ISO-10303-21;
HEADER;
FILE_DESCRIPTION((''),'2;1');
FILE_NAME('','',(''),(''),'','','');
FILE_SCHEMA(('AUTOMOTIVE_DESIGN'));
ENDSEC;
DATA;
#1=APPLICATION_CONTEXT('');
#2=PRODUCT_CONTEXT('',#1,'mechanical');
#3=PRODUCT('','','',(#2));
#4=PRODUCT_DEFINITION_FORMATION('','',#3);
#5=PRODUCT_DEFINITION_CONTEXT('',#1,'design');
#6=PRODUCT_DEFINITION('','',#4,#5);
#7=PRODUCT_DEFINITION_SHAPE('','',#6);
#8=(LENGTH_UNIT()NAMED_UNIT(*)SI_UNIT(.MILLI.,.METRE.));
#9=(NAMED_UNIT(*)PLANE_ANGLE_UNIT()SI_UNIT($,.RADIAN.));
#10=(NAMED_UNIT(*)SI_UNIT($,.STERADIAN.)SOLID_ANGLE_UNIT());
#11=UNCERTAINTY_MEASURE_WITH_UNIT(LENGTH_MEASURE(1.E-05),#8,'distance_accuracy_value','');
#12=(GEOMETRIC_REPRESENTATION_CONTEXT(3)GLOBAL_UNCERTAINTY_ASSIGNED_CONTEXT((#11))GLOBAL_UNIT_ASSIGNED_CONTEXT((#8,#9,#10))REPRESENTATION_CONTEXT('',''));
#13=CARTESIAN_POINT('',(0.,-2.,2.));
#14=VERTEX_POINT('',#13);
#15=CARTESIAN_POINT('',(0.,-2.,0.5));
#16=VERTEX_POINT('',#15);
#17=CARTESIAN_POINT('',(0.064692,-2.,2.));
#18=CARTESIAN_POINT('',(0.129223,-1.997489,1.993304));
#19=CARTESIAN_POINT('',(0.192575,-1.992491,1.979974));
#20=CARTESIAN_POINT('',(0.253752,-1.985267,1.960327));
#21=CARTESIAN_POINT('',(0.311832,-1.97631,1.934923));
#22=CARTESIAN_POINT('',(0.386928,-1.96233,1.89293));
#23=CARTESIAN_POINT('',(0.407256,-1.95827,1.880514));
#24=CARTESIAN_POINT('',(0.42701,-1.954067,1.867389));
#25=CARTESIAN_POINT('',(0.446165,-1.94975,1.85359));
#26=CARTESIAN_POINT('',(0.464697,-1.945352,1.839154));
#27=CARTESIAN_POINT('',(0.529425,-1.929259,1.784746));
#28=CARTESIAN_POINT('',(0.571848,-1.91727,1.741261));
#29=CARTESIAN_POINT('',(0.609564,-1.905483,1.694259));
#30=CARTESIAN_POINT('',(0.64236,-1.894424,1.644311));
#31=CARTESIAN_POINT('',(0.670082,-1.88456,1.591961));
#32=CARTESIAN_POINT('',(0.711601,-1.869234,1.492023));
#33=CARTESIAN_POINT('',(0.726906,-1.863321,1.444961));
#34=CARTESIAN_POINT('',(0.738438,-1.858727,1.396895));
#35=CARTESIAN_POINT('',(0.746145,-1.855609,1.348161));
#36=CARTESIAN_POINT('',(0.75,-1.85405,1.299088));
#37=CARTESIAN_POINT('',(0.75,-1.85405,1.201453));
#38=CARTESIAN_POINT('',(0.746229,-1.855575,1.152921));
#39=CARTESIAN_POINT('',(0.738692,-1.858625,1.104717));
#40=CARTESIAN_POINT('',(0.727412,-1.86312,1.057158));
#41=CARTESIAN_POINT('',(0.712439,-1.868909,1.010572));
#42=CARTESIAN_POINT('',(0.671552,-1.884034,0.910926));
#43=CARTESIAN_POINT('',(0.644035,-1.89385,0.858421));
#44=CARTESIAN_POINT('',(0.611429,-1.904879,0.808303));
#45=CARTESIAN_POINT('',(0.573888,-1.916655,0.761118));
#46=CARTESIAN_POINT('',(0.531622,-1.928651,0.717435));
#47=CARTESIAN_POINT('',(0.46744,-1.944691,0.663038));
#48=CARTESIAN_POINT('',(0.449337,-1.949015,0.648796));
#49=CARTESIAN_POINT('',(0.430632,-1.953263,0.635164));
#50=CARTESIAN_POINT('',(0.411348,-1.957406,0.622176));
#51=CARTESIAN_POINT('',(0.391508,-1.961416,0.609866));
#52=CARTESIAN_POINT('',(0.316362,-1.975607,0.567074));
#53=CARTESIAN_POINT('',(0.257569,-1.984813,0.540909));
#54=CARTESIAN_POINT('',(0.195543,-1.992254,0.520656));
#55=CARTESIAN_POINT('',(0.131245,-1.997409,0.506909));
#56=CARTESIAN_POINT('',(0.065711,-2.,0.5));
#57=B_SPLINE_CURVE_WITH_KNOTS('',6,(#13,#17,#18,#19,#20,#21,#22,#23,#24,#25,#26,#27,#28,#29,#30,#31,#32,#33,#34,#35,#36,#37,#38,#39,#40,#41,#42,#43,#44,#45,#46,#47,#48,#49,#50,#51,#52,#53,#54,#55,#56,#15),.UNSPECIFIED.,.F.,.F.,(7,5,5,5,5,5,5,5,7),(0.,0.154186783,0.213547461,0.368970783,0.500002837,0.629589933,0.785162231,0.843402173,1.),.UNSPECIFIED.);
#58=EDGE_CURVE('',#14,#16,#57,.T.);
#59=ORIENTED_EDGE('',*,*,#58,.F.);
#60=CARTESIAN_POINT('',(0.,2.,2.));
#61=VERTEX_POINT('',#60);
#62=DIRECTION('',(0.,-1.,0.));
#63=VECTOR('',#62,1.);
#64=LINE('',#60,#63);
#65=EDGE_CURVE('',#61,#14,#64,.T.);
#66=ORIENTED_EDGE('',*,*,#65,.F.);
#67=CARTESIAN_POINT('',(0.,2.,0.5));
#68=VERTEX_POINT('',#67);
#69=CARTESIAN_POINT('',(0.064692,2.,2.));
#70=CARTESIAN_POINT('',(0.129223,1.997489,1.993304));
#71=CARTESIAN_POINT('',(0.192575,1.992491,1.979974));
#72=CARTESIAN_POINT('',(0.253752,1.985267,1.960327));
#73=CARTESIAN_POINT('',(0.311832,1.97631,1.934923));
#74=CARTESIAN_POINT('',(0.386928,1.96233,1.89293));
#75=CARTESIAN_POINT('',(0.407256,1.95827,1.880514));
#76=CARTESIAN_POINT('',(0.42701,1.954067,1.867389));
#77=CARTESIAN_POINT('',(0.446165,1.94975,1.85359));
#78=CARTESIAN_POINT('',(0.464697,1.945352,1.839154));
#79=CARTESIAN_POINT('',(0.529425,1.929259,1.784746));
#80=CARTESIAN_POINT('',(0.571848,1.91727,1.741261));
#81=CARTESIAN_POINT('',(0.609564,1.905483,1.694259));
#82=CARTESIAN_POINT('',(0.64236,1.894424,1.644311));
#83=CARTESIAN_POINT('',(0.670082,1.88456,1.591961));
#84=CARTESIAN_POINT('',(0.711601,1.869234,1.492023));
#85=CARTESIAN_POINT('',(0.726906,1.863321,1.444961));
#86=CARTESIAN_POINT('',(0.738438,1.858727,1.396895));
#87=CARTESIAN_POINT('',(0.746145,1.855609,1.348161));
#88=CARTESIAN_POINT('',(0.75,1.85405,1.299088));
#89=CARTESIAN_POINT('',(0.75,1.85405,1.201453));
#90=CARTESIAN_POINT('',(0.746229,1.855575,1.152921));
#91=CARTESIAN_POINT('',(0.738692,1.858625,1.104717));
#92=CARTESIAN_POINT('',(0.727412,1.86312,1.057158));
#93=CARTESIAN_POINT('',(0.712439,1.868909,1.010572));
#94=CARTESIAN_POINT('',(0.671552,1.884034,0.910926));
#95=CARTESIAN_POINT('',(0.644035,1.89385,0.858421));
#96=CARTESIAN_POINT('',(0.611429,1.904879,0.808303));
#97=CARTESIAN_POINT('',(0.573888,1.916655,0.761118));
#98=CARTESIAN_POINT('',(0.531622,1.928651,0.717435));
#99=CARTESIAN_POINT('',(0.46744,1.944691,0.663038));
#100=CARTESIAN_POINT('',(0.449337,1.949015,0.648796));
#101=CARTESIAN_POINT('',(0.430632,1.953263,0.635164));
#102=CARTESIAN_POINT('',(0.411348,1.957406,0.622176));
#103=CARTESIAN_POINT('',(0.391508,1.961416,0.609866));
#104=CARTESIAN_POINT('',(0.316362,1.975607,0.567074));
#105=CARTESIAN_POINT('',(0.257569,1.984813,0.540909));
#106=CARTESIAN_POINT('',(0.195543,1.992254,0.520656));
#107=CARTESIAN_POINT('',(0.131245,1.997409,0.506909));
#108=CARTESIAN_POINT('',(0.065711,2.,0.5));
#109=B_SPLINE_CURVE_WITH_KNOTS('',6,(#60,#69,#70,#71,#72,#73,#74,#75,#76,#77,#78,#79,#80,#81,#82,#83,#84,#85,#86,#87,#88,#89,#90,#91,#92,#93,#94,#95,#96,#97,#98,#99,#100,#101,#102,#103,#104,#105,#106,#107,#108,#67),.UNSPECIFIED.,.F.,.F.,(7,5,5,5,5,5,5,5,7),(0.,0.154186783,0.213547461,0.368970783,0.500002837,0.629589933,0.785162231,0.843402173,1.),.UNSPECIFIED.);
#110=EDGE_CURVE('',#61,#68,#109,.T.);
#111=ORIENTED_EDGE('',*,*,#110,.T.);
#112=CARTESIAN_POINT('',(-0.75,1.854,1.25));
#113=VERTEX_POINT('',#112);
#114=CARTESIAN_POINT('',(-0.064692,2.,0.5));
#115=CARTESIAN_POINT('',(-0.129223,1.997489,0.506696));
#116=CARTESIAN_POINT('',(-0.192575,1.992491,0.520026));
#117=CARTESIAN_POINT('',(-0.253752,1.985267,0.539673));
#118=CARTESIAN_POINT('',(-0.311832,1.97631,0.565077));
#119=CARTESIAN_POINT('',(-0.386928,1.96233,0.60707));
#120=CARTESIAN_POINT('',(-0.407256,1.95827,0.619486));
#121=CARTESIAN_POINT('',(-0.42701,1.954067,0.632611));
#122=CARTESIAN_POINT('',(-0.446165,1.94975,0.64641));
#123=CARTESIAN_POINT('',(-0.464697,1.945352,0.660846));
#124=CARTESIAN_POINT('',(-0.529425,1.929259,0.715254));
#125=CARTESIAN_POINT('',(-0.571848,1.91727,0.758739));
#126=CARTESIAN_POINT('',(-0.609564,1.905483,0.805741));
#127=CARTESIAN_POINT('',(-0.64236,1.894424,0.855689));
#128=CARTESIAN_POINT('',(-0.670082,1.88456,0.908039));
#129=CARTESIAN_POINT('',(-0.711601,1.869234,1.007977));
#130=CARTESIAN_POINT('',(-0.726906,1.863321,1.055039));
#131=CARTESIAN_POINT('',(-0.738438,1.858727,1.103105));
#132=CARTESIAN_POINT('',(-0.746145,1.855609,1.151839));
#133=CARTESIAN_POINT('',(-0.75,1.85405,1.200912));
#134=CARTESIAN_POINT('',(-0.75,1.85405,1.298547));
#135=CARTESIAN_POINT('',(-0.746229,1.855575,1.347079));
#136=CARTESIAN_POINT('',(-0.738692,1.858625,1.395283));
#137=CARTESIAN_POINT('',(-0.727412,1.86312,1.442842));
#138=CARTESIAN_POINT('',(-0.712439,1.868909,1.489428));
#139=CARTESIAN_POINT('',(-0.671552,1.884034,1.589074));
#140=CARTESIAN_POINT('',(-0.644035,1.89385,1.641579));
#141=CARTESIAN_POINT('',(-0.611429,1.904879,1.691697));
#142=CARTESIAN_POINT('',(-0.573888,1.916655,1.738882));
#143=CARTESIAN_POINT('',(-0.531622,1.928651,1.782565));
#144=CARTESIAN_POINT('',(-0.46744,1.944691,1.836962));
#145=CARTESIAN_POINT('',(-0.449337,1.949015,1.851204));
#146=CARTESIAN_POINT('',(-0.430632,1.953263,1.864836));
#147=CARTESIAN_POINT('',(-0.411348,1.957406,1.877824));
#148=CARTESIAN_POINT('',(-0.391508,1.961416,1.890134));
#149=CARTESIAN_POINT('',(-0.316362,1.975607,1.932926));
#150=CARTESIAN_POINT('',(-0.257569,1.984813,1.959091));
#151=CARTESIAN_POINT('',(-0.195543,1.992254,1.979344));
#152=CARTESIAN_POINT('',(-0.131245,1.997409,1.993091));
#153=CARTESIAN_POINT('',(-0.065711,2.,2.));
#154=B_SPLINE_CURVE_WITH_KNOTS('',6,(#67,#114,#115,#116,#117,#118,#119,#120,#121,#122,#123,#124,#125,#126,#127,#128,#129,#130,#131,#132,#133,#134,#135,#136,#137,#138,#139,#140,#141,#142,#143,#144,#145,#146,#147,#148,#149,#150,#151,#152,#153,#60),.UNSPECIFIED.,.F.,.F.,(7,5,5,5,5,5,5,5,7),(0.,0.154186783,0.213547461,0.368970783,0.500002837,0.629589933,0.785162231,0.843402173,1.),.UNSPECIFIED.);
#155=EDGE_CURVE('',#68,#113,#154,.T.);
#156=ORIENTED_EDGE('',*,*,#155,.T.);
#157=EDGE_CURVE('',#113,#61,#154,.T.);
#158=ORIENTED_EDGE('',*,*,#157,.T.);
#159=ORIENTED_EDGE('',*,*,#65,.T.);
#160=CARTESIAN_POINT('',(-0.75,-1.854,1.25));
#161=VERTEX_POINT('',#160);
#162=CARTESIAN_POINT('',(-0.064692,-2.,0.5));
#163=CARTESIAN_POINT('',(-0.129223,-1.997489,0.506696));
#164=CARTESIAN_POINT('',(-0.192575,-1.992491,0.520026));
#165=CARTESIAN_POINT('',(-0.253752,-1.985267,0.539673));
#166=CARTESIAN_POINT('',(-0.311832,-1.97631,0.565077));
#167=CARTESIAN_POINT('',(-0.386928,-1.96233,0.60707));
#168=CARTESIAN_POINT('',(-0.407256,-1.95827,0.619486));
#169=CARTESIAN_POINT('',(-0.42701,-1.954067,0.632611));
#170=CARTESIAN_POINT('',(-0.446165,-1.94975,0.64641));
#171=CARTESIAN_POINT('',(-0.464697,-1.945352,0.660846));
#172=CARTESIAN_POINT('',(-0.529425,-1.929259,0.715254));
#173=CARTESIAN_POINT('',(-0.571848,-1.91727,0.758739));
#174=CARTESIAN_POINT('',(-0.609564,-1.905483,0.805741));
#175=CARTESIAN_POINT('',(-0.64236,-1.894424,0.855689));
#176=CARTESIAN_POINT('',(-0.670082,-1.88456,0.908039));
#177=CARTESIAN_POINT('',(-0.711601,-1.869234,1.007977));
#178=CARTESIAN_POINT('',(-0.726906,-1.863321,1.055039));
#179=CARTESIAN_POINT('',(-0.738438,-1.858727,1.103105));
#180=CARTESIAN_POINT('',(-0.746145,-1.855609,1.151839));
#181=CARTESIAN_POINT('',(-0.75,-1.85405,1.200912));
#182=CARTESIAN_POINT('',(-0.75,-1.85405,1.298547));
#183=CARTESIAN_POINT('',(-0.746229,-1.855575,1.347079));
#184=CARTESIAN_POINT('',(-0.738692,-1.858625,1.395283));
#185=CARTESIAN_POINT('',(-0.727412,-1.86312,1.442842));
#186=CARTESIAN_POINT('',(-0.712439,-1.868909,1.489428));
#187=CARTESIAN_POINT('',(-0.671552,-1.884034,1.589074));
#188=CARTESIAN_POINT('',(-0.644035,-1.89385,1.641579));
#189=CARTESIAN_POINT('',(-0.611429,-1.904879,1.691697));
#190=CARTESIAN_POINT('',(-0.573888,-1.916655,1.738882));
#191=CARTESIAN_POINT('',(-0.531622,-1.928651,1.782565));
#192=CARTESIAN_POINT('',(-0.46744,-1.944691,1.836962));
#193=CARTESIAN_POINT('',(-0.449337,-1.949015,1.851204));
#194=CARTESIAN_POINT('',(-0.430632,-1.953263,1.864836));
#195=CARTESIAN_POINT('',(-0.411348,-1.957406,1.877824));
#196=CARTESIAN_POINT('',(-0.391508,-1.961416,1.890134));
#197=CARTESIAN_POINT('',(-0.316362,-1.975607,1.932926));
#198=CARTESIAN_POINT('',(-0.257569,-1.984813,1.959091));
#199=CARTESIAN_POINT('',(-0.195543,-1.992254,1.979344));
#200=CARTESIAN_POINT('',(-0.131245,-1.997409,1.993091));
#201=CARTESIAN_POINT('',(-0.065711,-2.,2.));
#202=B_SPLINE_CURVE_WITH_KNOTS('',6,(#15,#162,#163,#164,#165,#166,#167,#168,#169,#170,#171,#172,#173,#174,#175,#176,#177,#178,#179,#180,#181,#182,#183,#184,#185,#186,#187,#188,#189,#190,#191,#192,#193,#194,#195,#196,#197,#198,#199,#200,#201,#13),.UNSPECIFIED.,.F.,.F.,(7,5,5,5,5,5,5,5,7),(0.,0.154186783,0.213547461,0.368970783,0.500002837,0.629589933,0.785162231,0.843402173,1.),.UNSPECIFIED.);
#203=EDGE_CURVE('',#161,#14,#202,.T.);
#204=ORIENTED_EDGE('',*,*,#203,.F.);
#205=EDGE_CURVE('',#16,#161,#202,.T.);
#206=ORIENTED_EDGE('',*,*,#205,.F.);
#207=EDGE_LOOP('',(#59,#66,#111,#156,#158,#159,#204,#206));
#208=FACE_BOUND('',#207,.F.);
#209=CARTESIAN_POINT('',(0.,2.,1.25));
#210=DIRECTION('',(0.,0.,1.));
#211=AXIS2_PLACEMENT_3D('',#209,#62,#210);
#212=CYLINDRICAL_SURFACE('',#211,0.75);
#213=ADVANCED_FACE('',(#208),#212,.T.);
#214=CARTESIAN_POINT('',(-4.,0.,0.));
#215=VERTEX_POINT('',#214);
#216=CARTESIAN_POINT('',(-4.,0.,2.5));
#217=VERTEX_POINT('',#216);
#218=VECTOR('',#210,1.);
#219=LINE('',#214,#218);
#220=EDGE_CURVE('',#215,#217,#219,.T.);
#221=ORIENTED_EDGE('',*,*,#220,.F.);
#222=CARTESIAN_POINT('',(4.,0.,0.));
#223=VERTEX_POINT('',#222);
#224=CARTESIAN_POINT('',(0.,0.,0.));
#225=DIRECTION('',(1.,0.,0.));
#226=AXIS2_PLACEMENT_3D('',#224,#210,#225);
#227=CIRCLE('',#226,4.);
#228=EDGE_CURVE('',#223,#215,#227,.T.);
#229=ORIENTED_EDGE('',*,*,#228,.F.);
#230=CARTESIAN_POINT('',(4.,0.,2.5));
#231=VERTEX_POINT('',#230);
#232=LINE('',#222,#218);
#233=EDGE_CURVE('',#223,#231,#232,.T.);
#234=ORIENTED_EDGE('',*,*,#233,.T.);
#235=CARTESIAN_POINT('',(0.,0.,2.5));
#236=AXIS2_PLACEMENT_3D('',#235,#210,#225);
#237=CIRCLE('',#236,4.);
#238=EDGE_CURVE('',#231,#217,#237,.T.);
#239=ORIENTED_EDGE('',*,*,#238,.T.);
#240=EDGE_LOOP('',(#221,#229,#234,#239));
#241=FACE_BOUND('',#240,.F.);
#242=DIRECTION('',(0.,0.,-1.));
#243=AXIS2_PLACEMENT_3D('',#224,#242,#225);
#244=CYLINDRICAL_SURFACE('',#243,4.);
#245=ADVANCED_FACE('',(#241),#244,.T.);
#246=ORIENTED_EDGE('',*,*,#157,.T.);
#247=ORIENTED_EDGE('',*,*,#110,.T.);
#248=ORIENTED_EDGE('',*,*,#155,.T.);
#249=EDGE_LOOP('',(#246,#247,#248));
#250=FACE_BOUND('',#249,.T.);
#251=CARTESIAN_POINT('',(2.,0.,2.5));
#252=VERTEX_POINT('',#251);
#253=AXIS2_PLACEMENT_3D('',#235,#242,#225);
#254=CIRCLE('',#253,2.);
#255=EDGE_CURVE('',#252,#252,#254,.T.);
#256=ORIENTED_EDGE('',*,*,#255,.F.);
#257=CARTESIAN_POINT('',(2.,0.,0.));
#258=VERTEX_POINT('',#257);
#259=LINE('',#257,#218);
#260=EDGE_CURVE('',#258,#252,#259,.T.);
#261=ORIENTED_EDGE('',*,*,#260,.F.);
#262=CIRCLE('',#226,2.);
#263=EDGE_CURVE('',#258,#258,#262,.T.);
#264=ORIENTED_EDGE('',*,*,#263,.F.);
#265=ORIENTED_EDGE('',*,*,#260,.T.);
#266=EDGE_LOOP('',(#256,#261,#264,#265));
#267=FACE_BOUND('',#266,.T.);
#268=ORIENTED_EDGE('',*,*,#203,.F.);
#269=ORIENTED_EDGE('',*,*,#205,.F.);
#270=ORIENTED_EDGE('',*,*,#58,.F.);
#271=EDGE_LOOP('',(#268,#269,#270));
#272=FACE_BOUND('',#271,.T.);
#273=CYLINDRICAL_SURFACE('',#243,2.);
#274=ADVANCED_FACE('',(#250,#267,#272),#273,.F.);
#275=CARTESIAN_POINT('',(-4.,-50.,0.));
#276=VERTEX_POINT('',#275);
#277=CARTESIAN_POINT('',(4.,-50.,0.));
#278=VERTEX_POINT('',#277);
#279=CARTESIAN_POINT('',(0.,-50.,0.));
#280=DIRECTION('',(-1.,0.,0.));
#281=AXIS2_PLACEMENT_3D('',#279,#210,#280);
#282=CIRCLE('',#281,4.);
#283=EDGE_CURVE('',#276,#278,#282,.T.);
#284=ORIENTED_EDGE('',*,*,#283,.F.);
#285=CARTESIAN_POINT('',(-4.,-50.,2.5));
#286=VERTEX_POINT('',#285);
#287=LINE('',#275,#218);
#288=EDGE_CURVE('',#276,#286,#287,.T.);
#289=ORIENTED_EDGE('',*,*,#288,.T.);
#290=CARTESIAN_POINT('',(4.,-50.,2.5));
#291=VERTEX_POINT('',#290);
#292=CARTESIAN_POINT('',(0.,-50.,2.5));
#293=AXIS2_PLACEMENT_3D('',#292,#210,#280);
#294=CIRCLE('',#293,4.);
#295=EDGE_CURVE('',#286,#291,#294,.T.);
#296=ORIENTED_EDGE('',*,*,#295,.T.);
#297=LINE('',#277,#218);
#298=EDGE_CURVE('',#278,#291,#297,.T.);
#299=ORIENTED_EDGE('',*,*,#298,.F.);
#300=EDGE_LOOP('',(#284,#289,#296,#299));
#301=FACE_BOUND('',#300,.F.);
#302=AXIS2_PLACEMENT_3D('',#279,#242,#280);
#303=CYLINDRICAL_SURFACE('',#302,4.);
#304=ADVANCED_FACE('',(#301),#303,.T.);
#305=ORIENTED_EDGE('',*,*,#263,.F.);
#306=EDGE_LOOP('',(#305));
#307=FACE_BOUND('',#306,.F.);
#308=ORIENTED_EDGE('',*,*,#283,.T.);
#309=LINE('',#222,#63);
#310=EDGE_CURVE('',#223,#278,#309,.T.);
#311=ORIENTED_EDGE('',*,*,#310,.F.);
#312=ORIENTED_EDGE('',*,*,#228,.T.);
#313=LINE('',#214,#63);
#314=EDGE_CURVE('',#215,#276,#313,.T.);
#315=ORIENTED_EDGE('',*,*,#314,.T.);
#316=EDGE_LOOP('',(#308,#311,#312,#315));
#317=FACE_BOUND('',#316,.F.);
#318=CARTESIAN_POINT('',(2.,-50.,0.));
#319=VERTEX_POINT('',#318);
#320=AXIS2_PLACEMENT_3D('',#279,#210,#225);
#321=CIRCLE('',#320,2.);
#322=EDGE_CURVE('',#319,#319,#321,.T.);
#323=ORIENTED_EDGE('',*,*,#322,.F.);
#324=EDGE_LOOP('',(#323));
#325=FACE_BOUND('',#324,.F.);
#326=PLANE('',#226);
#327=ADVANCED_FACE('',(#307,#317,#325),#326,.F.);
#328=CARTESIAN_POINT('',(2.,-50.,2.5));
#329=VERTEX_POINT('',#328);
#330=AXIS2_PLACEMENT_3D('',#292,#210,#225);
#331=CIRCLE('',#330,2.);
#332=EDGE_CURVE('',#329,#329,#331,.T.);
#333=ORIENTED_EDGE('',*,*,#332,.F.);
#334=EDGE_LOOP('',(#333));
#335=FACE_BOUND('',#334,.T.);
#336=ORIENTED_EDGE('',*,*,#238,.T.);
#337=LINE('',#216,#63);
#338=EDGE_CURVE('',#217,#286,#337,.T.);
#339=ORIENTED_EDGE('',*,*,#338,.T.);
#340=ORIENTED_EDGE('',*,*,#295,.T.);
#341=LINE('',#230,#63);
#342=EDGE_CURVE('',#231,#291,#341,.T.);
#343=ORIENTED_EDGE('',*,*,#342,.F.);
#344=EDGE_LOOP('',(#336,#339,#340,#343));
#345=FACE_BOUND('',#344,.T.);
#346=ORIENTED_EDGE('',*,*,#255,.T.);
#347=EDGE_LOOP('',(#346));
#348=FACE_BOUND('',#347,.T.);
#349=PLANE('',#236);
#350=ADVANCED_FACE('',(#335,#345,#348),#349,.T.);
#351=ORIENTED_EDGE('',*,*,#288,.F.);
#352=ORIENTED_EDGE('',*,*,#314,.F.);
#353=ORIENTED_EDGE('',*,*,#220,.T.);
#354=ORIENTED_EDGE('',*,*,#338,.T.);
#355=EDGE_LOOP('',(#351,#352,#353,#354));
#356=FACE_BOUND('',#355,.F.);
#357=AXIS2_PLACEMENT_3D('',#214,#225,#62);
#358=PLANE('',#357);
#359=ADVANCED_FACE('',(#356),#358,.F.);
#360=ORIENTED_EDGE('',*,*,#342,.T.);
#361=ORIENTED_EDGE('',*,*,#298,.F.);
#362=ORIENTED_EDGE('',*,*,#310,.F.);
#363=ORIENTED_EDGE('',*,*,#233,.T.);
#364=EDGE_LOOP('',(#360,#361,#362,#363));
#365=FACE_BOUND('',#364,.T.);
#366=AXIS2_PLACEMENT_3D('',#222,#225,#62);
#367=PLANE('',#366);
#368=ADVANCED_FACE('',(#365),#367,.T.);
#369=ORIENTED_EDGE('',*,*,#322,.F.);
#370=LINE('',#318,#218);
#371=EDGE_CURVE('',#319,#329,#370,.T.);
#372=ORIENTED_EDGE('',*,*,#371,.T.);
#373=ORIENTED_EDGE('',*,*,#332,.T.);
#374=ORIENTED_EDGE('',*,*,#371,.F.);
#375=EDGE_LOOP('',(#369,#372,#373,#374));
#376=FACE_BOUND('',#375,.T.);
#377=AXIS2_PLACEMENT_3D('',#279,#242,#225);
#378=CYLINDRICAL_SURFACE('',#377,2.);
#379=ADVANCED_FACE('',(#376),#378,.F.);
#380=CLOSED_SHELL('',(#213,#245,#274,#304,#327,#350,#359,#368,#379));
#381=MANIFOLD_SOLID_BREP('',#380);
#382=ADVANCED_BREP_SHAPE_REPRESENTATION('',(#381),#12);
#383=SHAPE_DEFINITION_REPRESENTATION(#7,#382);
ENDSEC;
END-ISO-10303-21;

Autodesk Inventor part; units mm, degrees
ref_plane "XZ Plane" through (0, 0, 0) normal (0, 1, 0) x (-1, 0, 0)
ref_plane "XY Plane" through (0, 0, 0) normal (0, 0, 1) x (1, 0, 0)
sketch "Sketch1" plane through (0, 0, 0) normal (0, 0, 1) x (1, 0, 0)
  arc A0 (4, 0) -> (-4, 0) centre (0, 0) ccw
  circle A1 centre (0, 0) radius 2
  line L0 (0, -2) -> (0, 2)
  line L1 (-0.75, -1.854) -> (-0.75, 1.854)
  arc A2 (-4, -50) -> (4, -50) centre (0, -50) ccw
  circle A3 centre (0, -50) radius 2
  line L2 (-4, 0) -> (-4, -50)
  line L3 (4, 0) -> (4, -50)
  dimension "d1" = 4
  dimension "d2" = 8
  dimension "d3" = 1.5
  dimension "d4" = 8
  dimension "d5" = 4
  dimension "d6" = 50
extrude "Extrusion1" add sketch "Sketch1" along normal blind 2.5
ref_plane "Work Plane1" through (0, 0, 0) normal (1, 0, 0) x (0, 1, 0)
sketch "Sketch2" plane through (0, 0, 0) normal (1, 0, 0) x (0, 1, 0)
  line L0 (-2, 1.25) -> (2, 1.25)
  line L1 (-2, 0) -> (2, 0) projected
  line L2 (2, 2) -> (-2, 2)
  line L3 (2, 2) -> (2, 1.25)
  line L4 (-2, 2) -> (-2, 1.25)
  point P0 (0, 0)
  dimension "d11" = 1.25
  dimension "d12" = 1.5
  dimension "d13" = 4
revolve "Revolution2" add sketch "Sketch2" angle 360 about axis through (0, -2, 1.25) along (0, 1, 0)
properties part number "HUDSON 1-14 LEAFSPRING HANGER-1"
